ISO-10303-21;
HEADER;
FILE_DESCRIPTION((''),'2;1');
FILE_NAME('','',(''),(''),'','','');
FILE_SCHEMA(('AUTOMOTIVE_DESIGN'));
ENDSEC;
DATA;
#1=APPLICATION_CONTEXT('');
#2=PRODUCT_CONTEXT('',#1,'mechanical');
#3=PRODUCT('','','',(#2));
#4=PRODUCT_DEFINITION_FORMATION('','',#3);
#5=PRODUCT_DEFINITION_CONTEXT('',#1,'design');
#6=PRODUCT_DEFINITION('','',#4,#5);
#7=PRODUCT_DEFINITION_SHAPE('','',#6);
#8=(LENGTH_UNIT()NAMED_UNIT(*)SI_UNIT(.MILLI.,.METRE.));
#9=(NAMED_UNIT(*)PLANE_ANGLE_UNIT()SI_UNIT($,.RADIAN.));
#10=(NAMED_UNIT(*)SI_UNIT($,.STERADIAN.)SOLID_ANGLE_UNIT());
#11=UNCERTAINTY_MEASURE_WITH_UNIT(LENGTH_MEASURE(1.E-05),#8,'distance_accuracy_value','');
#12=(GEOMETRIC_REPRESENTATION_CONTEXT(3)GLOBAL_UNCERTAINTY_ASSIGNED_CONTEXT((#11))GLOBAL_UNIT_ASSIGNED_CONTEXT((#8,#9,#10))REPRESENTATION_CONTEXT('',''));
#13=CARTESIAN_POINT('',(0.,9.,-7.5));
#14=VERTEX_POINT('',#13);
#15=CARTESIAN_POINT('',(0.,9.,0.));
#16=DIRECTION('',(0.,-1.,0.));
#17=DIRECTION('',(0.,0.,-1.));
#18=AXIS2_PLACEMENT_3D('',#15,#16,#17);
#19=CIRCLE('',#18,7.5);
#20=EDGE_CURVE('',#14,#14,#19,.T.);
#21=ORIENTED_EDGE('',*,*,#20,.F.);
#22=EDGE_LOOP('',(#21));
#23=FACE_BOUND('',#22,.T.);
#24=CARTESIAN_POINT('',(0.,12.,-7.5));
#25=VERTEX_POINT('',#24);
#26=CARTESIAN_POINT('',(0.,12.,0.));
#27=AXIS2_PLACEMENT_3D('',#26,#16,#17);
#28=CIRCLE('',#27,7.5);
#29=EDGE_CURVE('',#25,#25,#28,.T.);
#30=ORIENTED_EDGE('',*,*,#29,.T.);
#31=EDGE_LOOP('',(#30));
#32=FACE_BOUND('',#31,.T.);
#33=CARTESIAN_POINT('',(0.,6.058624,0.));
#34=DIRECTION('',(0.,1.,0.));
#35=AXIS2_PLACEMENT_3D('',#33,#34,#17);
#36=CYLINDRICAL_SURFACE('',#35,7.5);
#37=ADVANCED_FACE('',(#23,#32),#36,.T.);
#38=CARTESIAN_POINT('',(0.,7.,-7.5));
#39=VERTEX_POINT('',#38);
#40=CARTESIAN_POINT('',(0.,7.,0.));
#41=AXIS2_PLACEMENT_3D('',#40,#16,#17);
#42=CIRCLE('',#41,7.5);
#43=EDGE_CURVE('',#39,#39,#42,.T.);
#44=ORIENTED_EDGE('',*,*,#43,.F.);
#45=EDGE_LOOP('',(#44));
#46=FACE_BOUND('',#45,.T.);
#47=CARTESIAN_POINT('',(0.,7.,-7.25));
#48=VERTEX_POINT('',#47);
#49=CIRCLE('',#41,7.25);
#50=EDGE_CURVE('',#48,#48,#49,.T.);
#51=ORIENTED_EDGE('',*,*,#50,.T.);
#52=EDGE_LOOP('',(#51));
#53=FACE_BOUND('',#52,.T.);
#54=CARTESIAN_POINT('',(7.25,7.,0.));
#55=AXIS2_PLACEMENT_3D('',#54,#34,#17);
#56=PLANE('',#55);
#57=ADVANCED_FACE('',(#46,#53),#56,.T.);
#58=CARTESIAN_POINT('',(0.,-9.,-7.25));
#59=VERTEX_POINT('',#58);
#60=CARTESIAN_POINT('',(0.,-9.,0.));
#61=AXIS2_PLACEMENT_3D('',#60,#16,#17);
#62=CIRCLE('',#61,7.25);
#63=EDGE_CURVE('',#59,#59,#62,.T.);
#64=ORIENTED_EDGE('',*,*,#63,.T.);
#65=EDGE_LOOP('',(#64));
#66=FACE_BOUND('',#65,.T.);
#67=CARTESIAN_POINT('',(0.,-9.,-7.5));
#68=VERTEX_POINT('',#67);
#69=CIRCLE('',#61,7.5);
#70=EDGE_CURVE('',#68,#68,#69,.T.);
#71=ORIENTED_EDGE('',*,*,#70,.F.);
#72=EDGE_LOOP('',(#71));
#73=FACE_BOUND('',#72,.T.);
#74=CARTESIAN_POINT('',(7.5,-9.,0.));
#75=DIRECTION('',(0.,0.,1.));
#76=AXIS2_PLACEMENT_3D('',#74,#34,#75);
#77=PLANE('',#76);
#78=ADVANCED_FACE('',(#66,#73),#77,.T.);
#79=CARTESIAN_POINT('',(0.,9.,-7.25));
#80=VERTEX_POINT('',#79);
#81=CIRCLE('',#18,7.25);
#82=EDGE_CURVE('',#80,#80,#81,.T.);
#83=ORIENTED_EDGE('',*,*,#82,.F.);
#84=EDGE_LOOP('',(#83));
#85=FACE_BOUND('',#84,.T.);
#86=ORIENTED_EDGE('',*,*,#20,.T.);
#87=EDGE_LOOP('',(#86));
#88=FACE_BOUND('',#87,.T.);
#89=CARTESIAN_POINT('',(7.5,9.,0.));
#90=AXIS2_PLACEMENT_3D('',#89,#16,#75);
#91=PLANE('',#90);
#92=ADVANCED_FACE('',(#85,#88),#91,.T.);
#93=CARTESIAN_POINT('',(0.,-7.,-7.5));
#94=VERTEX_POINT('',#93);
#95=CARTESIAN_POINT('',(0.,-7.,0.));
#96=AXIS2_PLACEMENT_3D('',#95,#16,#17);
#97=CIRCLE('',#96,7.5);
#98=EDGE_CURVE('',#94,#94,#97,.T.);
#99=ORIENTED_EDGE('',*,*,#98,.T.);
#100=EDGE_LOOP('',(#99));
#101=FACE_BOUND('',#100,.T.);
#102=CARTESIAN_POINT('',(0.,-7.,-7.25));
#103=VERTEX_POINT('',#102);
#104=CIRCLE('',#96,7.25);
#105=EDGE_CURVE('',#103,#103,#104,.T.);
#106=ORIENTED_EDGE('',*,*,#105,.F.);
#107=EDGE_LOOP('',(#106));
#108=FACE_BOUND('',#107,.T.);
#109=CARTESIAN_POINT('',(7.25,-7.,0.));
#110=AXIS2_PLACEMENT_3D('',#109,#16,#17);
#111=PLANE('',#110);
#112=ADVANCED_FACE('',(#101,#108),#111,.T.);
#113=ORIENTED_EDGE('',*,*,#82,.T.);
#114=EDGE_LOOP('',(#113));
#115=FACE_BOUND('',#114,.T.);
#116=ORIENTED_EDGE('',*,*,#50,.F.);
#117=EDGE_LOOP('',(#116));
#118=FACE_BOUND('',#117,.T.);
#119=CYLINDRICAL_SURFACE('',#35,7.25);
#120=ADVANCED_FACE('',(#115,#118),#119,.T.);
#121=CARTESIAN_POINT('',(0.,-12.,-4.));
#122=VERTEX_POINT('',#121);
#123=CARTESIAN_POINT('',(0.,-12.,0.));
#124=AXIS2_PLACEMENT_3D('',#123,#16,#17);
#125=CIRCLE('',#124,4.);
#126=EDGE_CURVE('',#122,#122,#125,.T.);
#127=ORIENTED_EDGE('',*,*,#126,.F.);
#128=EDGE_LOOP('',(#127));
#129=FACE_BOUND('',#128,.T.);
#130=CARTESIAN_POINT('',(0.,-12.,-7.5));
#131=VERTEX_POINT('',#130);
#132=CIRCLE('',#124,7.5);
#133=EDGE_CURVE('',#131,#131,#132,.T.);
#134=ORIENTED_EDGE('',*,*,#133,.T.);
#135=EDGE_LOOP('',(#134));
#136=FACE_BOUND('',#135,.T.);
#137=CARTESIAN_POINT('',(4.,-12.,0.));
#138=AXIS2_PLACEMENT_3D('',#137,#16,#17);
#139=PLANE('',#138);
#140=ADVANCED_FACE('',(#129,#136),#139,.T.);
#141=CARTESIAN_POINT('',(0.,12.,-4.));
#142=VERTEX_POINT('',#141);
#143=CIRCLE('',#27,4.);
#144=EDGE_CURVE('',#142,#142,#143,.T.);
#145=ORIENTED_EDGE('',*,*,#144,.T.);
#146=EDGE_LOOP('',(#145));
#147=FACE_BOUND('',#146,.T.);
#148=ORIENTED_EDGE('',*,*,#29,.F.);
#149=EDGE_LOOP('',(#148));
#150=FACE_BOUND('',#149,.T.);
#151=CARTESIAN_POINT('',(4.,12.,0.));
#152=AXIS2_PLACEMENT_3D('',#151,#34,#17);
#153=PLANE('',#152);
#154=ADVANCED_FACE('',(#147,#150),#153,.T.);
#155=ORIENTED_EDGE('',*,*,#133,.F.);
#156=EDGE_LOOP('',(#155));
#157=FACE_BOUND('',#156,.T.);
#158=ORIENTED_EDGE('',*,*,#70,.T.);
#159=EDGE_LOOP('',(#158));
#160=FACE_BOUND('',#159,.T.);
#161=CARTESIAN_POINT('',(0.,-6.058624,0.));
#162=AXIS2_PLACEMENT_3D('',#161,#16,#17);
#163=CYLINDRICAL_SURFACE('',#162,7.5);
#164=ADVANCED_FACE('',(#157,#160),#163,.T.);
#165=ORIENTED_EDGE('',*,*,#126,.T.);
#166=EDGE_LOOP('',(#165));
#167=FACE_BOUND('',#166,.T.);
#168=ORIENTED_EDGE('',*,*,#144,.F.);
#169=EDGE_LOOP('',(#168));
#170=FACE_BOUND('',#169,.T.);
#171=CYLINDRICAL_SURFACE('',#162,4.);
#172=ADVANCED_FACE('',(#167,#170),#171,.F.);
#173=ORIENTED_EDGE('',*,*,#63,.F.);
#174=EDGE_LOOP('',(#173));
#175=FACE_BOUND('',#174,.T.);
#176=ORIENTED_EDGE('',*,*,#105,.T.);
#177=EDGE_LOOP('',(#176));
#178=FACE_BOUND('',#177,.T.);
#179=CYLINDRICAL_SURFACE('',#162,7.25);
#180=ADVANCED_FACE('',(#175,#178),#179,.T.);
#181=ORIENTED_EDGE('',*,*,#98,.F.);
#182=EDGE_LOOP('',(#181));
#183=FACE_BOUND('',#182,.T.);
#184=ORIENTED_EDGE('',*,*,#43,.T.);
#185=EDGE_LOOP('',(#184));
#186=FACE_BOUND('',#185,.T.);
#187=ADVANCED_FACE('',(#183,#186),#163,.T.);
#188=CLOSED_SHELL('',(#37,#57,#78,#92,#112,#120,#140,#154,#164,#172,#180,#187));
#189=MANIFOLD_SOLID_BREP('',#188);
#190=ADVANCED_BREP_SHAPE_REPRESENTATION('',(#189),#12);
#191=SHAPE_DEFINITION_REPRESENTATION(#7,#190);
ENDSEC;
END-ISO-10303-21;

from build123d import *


with BuildPart() as part:
    # Sketch1 → Revolve1 (revolve)
    with BuildSketch(Plane.XY, mode=Mode.PRIVATE) as revolve1_sk:
        Polygon((4, 0), (4, -12), (7.5, -12), (7.5, -9), (7.25, -9), (7.25, -7), (7.5, -7), (7.5, 0), align=None)
    revolve1 = revolve(revolve1_sk.sketch.rotate(Axis((0, -6.058624222, 0), (0, 1, 0)), 90), axis=Axis((0, -6.058624222, 0), (0, 1, 0)))

    # Mirror1: Revolve1 across plane
    add(revolve1.mirror(Plane.ZX))


solid = part.part
